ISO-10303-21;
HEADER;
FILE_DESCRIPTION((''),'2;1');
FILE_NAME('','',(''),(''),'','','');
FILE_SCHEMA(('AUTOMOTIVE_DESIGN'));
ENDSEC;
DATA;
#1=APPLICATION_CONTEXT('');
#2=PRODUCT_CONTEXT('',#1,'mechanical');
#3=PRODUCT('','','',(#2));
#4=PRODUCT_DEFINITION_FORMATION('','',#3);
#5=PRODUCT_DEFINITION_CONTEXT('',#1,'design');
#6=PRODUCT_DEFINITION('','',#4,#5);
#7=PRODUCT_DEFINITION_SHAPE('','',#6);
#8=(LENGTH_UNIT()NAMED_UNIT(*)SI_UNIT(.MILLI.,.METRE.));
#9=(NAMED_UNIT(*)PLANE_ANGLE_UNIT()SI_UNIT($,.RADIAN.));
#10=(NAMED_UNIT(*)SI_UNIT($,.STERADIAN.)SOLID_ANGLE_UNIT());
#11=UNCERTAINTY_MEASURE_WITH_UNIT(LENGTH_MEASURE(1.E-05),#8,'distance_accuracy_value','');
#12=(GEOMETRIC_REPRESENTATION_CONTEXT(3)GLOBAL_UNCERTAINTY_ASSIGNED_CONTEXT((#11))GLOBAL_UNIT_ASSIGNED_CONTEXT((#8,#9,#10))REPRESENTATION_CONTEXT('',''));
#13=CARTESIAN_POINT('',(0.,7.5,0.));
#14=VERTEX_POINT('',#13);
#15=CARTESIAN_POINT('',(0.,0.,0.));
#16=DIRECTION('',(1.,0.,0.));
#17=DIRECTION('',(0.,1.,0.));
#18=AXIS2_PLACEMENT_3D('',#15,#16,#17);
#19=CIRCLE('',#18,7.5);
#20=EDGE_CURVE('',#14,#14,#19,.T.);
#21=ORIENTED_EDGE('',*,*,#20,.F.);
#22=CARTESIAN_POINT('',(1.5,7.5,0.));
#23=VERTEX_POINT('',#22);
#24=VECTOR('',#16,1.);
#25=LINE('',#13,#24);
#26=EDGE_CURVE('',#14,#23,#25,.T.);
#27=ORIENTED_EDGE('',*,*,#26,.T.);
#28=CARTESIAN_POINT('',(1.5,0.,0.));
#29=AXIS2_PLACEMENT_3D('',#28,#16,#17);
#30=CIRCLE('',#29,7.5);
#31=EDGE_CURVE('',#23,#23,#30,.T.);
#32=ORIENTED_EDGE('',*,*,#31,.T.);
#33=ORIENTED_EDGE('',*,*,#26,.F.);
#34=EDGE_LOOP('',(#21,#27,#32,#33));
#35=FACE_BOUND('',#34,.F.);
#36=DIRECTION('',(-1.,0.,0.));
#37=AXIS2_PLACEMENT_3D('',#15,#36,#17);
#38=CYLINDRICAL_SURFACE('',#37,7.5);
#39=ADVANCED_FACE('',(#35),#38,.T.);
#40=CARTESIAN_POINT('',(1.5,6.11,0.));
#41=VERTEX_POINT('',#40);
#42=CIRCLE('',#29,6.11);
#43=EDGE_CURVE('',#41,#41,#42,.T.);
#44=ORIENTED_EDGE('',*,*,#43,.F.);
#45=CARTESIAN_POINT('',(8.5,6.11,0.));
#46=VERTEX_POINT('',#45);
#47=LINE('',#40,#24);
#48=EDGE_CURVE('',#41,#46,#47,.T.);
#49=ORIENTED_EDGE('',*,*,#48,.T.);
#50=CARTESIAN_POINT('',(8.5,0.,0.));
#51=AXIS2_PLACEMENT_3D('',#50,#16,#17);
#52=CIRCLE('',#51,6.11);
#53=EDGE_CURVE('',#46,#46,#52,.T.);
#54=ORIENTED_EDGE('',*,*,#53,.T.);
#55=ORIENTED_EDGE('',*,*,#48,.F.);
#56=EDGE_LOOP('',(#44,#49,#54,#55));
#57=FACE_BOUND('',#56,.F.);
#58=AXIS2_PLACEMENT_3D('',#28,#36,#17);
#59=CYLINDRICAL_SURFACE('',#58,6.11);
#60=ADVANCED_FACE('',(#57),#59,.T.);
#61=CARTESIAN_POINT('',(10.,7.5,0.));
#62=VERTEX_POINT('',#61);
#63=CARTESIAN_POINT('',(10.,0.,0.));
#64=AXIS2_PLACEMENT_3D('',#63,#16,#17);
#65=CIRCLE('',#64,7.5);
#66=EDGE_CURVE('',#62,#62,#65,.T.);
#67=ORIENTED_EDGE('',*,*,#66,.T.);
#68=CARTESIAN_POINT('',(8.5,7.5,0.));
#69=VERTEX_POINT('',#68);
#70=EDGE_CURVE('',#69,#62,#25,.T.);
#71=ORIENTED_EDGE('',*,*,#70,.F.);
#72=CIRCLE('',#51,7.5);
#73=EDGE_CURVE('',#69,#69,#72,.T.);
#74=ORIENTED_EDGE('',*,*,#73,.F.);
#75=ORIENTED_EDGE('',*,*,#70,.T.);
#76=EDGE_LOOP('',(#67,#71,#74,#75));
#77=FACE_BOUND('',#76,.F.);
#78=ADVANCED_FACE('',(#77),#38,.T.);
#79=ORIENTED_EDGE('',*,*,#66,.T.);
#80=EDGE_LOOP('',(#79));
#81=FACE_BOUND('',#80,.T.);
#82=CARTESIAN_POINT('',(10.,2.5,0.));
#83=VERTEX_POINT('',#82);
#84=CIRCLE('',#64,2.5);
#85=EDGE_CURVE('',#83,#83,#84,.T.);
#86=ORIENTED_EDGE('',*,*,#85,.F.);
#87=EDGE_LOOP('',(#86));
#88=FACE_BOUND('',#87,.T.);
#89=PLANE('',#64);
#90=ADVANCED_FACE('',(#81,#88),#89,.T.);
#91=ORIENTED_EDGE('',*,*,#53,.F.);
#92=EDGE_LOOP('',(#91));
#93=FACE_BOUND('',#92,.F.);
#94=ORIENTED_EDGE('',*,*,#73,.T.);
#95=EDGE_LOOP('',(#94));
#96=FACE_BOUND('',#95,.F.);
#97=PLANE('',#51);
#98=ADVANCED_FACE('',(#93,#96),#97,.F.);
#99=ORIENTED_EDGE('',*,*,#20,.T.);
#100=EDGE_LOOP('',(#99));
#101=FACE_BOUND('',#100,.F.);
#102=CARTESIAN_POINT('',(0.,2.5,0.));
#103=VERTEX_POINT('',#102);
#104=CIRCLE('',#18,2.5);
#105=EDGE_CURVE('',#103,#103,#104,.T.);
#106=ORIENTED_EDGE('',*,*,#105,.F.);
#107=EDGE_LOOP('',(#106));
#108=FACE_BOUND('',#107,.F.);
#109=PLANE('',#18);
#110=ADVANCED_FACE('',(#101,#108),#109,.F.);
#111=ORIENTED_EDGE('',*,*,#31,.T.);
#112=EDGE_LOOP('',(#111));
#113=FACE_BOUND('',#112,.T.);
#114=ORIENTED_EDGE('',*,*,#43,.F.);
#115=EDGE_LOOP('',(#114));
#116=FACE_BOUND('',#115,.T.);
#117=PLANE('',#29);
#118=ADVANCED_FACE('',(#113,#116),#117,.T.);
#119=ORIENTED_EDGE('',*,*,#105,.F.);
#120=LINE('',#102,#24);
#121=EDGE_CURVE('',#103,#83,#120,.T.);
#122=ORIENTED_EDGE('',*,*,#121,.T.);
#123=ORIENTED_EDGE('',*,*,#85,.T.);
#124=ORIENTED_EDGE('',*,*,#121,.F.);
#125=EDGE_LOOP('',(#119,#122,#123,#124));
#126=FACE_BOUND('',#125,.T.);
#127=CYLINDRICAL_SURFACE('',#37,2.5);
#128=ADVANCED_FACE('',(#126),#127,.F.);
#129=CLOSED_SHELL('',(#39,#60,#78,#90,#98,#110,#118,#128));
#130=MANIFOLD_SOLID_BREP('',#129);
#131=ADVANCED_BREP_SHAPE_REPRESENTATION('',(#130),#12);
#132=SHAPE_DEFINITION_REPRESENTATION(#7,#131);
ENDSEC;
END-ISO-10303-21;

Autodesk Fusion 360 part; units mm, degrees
sketch "Sketch1" plane through (0, 0, 0) normal (1, 0, 0) x (0, 1, 0)
  circle A0 centre (0, 0) radius 6.11
  circle A1 centre (0, 0) radius 7.5
  circle A2 centre (0, 0) radius 2.5
  circle A3 centre (0, 0) radius 6.365 construction
  dimension "d1" = 5
  dimension "d2" = 12.22
  dimension "d3" = 15
  dimension "d11" = 12.73
extrude "Extrude1" add sketch "Sketch1" along normal blind 10 contours A0 | A1
extrude "Extrude2" cut sketch "Sketch1" along normal blind 7 from surface at 1.5 contours A1
equation "d2 = outside_dia"
equation "pitch_dia = 12.73 mm"
equation "outside_dia = 12.22 mm"
equation "d11 = pitch_dia"
